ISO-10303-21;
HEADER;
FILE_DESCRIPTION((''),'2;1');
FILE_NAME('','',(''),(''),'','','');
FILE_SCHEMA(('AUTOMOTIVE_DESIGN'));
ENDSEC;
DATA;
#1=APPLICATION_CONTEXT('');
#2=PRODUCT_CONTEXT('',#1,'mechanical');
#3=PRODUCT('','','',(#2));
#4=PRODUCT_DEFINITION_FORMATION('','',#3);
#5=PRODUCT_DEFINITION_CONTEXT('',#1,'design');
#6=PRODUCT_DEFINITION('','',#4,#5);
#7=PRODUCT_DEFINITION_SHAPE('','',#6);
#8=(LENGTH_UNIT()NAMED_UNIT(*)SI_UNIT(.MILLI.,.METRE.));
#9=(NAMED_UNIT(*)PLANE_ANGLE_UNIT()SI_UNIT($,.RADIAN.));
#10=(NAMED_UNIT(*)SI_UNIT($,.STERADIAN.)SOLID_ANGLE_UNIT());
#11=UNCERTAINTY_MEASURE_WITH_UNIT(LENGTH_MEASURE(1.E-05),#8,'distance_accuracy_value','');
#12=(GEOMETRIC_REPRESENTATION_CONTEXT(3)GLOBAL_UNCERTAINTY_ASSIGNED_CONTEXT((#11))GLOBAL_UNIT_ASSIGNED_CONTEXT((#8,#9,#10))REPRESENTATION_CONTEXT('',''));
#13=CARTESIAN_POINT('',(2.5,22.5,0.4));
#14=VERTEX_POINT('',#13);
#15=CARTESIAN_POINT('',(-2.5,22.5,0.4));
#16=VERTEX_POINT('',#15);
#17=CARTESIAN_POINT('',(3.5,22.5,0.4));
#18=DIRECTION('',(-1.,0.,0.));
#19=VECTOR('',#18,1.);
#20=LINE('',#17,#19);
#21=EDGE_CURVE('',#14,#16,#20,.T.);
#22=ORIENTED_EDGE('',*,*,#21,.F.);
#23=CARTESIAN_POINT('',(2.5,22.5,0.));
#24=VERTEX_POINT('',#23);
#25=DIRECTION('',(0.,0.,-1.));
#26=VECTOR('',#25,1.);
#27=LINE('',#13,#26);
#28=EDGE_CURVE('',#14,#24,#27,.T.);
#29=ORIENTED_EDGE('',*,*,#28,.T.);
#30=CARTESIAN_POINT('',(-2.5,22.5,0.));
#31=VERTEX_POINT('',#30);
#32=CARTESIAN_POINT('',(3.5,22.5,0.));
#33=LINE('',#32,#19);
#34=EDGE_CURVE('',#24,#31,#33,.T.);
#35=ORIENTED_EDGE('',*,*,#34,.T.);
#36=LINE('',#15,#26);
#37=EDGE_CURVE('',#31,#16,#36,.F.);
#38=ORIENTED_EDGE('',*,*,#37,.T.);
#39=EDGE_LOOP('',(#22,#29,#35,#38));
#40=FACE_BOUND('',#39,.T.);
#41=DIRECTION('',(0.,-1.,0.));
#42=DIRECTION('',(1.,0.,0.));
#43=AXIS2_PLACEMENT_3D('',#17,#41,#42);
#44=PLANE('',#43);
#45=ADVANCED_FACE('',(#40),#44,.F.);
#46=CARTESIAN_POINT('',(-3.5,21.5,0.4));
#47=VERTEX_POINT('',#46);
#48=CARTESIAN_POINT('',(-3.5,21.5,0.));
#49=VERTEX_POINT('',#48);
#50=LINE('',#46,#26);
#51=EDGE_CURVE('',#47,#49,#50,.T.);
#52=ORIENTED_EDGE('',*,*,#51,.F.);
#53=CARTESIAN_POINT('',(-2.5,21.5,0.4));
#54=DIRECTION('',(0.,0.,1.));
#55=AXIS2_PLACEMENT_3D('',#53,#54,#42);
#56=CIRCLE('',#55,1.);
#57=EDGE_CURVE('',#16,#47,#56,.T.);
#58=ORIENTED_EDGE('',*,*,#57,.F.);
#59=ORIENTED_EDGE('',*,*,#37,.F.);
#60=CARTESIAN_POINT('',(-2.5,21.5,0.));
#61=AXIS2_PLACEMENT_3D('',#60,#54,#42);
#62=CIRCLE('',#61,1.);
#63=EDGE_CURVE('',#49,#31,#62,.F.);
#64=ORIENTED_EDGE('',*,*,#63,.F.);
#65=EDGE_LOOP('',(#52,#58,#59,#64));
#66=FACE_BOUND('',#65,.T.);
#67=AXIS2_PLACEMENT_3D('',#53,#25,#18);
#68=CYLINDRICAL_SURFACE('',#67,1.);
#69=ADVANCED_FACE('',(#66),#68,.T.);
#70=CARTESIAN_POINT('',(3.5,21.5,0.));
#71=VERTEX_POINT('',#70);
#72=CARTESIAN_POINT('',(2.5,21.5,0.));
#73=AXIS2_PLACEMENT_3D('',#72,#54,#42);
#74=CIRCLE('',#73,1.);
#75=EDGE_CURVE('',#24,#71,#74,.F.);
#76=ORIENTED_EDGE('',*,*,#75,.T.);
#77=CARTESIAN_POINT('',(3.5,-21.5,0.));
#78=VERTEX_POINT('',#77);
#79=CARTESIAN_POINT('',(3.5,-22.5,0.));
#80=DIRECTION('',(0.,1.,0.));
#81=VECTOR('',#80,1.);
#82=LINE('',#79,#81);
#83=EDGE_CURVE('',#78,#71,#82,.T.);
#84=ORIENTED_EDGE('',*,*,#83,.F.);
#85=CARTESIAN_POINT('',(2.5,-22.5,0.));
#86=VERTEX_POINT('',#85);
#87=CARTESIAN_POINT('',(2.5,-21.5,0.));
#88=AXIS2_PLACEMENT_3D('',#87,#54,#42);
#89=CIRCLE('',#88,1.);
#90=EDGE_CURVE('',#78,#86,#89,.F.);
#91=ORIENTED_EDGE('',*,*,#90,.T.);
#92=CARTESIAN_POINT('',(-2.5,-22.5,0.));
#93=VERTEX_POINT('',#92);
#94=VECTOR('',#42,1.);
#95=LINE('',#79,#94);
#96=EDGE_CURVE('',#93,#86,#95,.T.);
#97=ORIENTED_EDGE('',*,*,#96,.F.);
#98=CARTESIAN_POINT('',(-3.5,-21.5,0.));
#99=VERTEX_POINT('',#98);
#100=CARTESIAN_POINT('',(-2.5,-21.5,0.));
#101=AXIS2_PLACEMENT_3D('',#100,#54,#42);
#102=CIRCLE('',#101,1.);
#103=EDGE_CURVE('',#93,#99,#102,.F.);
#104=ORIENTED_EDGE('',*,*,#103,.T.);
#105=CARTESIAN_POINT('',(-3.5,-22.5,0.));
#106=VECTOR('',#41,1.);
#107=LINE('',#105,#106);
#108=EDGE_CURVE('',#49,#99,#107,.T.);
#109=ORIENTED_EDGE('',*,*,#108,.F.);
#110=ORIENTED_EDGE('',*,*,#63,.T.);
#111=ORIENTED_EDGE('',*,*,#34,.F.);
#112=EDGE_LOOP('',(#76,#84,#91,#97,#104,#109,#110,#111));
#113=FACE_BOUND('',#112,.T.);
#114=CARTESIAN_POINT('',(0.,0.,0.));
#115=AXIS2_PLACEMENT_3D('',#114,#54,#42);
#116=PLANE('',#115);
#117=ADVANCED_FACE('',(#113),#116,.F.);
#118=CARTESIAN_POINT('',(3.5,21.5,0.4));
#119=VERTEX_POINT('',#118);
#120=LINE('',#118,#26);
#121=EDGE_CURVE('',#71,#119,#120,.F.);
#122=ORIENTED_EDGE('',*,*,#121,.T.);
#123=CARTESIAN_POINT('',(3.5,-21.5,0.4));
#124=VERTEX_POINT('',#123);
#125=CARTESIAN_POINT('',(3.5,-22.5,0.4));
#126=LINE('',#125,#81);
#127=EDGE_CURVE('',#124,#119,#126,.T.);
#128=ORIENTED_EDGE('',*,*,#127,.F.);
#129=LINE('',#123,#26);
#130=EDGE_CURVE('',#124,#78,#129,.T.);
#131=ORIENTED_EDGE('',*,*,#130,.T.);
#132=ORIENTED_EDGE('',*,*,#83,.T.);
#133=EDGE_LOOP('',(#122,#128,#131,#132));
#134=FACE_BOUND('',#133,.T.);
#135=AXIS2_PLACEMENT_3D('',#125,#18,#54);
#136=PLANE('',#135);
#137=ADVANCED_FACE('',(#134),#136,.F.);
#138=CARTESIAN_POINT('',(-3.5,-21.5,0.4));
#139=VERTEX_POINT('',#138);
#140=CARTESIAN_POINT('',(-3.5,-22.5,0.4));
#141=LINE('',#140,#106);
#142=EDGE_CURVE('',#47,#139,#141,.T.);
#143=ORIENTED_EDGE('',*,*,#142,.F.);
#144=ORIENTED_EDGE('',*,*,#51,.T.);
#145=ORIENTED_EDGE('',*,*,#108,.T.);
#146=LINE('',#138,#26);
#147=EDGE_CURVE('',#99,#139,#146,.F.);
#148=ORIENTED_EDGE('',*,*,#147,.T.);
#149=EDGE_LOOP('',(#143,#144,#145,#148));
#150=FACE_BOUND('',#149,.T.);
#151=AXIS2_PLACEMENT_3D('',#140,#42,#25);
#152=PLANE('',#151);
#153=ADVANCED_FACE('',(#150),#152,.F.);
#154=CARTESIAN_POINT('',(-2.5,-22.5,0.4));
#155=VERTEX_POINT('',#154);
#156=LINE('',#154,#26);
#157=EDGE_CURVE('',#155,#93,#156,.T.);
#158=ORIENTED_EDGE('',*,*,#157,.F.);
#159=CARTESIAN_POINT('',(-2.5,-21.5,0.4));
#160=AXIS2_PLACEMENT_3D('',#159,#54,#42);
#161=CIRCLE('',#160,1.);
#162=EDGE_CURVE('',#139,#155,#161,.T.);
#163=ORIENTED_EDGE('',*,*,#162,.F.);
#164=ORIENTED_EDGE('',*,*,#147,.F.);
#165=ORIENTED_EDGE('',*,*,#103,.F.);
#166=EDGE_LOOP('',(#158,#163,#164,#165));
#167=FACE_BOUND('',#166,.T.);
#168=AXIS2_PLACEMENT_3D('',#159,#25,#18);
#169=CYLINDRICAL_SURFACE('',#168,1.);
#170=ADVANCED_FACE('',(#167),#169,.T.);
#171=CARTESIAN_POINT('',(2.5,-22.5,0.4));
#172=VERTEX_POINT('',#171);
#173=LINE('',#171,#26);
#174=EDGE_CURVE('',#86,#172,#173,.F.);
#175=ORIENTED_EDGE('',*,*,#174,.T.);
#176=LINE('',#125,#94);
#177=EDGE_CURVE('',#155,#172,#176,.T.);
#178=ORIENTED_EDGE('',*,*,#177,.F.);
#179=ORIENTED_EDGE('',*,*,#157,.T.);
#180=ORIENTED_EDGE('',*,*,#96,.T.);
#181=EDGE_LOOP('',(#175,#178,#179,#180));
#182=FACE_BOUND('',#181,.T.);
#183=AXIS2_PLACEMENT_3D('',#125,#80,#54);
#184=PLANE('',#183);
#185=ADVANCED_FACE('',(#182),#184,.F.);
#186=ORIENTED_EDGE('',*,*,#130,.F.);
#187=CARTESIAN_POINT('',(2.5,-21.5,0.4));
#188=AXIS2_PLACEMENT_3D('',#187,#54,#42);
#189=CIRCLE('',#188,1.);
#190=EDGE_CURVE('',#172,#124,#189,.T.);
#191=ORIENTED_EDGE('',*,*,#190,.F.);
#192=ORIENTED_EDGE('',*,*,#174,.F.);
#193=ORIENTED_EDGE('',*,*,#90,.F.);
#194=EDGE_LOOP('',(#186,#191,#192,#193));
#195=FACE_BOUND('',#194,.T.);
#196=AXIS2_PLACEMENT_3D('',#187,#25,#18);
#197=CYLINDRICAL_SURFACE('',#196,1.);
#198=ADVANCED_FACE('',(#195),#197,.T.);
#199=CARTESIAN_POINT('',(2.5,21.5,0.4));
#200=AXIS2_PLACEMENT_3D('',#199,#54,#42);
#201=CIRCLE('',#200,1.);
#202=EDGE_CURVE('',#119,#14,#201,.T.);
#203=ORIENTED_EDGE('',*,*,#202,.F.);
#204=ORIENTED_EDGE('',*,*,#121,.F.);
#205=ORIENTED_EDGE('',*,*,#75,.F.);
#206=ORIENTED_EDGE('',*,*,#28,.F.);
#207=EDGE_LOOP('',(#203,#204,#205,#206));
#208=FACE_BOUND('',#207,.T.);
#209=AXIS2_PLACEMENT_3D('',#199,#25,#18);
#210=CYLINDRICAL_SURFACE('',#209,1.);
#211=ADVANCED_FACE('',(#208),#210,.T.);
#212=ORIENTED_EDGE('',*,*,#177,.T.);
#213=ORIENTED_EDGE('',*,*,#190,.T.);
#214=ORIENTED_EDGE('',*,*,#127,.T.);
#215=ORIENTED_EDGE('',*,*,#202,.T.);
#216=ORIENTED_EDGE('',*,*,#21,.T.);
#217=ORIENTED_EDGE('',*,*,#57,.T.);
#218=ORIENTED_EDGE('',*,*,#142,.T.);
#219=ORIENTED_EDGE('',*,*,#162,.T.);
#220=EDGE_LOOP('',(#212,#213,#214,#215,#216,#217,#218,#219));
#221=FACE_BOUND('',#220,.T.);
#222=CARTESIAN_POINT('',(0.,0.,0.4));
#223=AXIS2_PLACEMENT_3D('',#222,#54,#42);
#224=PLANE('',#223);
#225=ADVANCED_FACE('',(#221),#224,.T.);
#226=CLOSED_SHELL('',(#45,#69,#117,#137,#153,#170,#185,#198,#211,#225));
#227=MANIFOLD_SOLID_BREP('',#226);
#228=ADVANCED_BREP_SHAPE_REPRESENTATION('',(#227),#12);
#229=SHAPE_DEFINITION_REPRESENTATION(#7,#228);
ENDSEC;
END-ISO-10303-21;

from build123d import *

# Parameters (mm, degrees)
SKETCH1_W           = 7
SKETCH1_H           = 45
BOSS_EXTRUDE1_DEPTH = 0.4
FILLET1_R           = 1


with BuildPart() as part:
    # Sketch1 → Boss-Extrude1 (new body)
    with BuildSketch(Plane.XY):
        Rectangle(SKETCH1_W, SKETCH1_H)
    extrude(amount=BOSS_EXTRUDE1_DEPTH)

    # Fillet1
    fillet1_edges = [part.edges().sort_by_distance(p)[0] for p in [
        (-3.5, 22.5, 0.2),
        (3.5, 22.5, 0.2),
        (3.5, -22.5, 0.2),
        (-3.5, -22.5, 0.2),
    ]]
    fillet(fillet1_edges, radius=FILLET1_R)


solid = part.part
